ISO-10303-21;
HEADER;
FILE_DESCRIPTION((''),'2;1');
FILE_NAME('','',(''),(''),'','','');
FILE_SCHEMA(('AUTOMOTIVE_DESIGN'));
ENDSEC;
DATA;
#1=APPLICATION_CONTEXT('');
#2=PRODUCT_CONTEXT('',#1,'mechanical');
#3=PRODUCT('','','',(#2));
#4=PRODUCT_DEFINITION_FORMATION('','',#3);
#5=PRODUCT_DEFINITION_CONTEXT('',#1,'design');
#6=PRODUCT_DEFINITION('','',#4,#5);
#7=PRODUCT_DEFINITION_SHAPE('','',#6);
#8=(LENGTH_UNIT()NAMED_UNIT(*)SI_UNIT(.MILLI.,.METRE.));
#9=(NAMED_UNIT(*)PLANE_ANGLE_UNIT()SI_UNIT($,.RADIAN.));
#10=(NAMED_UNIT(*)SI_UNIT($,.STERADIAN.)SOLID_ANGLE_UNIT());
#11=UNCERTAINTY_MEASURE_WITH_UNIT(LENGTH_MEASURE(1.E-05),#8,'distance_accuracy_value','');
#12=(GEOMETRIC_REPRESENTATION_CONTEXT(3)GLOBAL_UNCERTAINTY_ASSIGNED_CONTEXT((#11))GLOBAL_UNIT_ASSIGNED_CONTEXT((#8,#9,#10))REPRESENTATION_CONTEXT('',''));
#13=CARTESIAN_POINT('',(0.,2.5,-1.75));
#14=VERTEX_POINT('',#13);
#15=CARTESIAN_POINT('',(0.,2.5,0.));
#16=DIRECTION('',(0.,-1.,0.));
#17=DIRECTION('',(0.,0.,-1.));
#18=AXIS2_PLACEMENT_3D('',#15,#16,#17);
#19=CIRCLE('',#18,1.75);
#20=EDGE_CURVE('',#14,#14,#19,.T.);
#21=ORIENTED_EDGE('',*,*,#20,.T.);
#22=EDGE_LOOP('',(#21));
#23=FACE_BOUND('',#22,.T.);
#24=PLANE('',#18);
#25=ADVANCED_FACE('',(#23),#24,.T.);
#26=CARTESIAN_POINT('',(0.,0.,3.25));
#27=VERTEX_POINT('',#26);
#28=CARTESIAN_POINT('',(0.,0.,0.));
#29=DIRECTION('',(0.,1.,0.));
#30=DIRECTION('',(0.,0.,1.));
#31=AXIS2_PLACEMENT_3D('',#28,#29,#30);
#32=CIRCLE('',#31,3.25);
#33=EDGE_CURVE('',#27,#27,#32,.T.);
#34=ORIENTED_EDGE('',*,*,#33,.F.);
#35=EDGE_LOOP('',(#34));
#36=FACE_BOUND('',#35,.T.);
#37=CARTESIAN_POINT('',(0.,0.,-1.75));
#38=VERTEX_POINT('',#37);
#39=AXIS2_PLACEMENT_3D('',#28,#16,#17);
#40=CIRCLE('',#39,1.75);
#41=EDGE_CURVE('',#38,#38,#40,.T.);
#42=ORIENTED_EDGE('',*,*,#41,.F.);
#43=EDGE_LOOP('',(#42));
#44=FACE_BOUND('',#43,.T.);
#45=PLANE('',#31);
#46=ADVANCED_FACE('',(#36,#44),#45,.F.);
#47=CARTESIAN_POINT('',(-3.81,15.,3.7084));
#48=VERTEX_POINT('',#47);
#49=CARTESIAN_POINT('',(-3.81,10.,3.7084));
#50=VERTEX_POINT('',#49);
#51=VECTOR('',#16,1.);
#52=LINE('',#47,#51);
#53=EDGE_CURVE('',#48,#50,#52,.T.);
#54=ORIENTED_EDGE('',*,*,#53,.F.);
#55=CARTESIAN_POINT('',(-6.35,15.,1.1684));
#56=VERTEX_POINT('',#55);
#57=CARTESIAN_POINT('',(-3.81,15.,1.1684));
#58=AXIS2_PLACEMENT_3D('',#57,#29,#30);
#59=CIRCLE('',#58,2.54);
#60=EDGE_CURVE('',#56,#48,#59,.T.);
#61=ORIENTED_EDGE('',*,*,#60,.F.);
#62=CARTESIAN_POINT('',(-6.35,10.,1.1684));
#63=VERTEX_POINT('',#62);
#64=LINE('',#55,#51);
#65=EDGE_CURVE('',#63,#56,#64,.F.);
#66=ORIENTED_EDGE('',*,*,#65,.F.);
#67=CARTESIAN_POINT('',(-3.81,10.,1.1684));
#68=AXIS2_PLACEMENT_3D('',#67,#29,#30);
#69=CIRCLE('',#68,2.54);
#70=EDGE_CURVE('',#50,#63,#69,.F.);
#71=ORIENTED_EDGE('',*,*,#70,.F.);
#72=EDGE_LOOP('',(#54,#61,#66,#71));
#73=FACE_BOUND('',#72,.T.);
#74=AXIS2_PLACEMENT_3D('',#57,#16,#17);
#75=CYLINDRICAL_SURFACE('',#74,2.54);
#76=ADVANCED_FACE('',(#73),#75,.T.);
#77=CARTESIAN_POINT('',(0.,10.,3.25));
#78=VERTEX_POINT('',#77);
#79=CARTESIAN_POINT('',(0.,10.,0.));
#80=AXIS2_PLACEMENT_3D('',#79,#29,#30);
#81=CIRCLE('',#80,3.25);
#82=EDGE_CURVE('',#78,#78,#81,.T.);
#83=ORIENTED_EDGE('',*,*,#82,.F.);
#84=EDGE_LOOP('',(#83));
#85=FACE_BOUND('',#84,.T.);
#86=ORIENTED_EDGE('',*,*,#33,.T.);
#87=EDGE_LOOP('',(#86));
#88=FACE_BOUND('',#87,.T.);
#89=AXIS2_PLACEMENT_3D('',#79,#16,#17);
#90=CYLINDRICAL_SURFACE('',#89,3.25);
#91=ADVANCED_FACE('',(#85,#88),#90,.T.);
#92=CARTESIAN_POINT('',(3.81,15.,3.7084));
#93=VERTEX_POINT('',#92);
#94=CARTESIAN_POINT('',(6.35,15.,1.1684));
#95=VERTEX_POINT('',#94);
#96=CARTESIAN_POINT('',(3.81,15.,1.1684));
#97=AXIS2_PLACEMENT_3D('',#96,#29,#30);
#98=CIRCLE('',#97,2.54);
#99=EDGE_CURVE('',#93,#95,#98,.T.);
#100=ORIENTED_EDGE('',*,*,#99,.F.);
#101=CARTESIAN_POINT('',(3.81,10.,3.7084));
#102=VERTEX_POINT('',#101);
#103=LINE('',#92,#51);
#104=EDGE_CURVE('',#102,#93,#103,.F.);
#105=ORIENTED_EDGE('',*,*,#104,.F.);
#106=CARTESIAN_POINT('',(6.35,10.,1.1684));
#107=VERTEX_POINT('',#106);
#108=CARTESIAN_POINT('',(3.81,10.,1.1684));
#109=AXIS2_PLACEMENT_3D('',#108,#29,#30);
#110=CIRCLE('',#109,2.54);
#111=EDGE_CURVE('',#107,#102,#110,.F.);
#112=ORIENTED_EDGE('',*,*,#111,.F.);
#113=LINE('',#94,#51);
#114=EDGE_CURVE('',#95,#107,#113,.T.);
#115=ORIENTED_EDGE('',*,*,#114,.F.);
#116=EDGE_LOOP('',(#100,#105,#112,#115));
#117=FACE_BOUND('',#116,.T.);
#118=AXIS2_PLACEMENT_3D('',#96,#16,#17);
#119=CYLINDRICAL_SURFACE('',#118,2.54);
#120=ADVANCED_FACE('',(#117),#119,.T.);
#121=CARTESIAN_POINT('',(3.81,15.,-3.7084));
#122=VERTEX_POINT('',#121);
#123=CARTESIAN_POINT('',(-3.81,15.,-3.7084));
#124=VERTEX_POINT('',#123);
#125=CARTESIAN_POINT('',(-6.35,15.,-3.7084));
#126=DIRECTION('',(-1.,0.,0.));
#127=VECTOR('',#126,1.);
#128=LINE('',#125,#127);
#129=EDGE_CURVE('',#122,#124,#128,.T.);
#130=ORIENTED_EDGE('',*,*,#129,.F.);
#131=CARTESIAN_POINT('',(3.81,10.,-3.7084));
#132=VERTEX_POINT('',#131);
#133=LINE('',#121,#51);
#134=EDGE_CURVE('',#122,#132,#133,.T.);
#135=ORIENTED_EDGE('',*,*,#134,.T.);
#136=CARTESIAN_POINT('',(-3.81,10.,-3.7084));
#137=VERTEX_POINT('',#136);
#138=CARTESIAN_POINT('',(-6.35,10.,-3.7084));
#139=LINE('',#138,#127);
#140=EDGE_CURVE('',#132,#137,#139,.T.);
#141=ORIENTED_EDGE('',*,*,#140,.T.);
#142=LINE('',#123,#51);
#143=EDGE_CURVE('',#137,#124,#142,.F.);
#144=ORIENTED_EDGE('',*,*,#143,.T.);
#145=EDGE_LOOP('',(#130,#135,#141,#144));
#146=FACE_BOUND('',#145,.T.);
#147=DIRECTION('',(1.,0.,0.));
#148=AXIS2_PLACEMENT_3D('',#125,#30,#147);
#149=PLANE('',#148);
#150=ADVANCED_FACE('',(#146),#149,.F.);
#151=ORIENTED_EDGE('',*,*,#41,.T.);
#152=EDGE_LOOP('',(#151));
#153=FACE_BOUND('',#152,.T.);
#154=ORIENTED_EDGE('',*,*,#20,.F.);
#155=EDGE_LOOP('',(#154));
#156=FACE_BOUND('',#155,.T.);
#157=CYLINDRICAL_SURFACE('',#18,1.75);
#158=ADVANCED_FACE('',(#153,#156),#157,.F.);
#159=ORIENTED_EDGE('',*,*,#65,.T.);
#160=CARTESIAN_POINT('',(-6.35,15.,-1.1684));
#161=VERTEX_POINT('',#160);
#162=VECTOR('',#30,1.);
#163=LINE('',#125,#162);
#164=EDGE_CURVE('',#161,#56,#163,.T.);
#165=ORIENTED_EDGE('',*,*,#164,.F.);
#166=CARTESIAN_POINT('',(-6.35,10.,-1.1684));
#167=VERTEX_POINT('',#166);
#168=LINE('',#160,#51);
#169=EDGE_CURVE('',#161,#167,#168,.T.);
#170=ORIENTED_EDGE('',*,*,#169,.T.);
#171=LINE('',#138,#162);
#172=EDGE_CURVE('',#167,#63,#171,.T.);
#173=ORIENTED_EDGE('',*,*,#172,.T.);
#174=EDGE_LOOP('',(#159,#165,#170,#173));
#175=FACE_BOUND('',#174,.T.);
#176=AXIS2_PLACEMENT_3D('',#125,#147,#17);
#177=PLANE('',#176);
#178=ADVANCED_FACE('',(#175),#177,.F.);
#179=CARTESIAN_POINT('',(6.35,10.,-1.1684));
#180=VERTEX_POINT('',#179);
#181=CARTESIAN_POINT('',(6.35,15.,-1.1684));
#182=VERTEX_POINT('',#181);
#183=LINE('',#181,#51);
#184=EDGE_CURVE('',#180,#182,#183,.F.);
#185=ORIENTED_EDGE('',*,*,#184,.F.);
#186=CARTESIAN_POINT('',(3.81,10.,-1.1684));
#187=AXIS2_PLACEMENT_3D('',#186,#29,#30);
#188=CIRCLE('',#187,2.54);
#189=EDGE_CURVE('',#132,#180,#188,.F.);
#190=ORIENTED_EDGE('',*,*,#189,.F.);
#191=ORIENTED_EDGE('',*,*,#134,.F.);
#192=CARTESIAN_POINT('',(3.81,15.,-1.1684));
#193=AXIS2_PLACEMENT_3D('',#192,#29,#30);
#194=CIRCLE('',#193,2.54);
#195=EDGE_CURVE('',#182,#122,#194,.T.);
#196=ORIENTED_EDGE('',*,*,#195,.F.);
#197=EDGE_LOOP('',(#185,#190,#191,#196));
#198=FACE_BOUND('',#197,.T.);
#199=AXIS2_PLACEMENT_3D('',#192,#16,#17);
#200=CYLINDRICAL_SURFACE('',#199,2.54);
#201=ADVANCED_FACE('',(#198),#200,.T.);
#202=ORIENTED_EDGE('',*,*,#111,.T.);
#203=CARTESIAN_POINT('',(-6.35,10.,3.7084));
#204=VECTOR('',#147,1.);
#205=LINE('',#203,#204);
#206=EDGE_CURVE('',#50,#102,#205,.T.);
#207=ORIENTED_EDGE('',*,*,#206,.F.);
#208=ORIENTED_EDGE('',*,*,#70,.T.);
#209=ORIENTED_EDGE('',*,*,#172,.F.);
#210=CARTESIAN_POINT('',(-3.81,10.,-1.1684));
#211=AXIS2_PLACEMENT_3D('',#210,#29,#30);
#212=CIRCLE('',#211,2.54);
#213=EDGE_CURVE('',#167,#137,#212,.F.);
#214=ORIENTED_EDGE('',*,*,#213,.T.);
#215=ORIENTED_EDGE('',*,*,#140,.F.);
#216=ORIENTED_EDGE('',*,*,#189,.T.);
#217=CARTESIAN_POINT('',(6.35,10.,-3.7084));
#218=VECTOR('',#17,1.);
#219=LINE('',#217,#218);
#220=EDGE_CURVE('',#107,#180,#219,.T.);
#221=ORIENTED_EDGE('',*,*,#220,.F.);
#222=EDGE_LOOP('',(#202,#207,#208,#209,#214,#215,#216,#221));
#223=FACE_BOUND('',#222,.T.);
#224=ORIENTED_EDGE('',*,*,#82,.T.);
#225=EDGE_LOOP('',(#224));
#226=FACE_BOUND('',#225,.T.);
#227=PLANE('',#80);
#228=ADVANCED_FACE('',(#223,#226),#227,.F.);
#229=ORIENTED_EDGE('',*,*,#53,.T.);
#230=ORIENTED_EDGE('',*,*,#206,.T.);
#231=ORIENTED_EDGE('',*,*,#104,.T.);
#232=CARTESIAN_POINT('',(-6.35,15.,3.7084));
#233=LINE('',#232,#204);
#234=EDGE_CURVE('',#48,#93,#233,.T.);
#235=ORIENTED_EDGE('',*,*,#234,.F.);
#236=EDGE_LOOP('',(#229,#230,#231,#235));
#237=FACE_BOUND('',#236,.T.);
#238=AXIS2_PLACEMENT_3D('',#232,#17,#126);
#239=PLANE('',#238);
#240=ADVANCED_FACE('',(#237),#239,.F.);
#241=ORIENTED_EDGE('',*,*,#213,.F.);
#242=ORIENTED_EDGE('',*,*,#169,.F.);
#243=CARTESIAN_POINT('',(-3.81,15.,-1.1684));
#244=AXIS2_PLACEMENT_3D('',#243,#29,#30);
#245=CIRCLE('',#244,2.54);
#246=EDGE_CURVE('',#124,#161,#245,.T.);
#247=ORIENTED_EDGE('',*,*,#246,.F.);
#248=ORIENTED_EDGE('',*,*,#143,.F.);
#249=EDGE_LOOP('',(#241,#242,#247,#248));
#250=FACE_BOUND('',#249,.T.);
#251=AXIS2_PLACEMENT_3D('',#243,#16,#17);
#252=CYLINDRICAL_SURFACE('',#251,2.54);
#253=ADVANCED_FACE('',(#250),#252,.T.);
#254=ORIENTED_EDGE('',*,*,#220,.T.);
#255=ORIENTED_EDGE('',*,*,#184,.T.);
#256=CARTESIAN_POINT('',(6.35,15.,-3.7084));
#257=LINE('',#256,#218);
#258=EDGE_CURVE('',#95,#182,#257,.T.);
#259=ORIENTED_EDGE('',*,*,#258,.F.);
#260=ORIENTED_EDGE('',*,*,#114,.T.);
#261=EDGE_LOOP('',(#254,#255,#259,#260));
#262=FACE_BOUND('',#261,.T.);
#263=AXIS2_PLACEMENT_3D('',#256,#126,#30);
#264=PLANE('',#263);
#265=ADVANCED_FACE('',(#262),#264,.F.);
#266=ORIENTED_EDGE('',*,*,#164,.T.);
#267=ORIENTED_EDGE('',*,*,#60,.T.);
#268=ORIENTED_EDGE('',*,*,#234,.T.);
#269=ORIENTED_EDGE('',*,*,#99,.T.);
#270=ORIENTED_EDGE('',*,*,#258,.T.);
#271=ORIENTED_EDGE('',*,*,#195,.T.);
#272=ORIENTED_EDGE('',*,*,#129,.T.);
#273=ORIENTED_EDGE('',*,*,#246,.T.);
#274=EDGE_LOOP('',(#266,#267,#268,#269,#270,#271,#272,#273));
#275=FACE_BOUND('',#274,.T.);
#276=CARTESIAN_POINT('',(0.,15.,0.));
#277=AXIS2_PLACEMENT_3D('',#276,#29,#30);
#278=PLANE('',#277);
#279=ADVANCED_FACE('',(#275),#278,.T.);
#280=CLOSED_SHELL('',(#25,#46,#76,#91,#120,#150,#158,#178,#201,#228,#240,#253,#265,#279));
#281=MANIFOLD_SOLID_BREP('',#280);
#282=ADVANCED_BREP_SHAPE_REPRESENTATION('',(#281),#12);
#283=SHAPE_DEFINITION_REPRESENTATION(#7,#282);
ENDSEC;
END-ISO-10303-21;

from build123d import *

# Parameters (mm, degrees)
SKETCH1_R           = 3.25
BOSS_EXTRUDE1_DEPTH = 10
SKETCH2_R           = 1.75
CUT_EXTRUDE1_DEPTH  = 2.5
SKETCH3_W           = 12.7
SKETCH3_H           = 7.4168
BOSS_EXTRUDE2_DEPTH = 5
FILLET1_R           = 2.54


with BuildPart() as part:
    # Sketch1 → Boss-Extrude1 (new body)
    with BuildSketch(Plane(origin=(0, 0, 0), x_dir=(1, 0, 0), z_dir=(0, 1, 0))):
        Circle(SKETCH1_R)
    extrude(amount=BOSS_EXTRUDE1_DEPTH)

    # Sketch2 → Cut-Extrude1 (cut)
    with BuildSketch(Plane.XZ):
        Circle(SKETCH2_R)
    extrude(amount=-CUT_EXTRUDE1_DEPTH, mode=Mode.SUBTRACT)

    # Sketch3 → Boss-Extrude2 (add)
    with BuildSketch(Plane(origin=(0, 10, 0), x_dir=(1, 0, 0), z_dir=(0, 1, 0))):
        Rectangle(SKETCH3_W, SKETCH3_H)
    extrude(amount=BOSS_EXTRUDE2_DEPTH)

    # Fillet1
    fillet1_edges = [part.edges().sort_by_distance(p)[0] for p in [
        (6.35, 12.5, 3.7084),
        (6.35, 12.5, -3.7084),
        (-6.35, 12.5, -3.7084),
        (-6.35, 12.5, 3.7084),
    ]]
    fillet(fillet1_edges, radius=FILLET1_R)


solid = part.part
